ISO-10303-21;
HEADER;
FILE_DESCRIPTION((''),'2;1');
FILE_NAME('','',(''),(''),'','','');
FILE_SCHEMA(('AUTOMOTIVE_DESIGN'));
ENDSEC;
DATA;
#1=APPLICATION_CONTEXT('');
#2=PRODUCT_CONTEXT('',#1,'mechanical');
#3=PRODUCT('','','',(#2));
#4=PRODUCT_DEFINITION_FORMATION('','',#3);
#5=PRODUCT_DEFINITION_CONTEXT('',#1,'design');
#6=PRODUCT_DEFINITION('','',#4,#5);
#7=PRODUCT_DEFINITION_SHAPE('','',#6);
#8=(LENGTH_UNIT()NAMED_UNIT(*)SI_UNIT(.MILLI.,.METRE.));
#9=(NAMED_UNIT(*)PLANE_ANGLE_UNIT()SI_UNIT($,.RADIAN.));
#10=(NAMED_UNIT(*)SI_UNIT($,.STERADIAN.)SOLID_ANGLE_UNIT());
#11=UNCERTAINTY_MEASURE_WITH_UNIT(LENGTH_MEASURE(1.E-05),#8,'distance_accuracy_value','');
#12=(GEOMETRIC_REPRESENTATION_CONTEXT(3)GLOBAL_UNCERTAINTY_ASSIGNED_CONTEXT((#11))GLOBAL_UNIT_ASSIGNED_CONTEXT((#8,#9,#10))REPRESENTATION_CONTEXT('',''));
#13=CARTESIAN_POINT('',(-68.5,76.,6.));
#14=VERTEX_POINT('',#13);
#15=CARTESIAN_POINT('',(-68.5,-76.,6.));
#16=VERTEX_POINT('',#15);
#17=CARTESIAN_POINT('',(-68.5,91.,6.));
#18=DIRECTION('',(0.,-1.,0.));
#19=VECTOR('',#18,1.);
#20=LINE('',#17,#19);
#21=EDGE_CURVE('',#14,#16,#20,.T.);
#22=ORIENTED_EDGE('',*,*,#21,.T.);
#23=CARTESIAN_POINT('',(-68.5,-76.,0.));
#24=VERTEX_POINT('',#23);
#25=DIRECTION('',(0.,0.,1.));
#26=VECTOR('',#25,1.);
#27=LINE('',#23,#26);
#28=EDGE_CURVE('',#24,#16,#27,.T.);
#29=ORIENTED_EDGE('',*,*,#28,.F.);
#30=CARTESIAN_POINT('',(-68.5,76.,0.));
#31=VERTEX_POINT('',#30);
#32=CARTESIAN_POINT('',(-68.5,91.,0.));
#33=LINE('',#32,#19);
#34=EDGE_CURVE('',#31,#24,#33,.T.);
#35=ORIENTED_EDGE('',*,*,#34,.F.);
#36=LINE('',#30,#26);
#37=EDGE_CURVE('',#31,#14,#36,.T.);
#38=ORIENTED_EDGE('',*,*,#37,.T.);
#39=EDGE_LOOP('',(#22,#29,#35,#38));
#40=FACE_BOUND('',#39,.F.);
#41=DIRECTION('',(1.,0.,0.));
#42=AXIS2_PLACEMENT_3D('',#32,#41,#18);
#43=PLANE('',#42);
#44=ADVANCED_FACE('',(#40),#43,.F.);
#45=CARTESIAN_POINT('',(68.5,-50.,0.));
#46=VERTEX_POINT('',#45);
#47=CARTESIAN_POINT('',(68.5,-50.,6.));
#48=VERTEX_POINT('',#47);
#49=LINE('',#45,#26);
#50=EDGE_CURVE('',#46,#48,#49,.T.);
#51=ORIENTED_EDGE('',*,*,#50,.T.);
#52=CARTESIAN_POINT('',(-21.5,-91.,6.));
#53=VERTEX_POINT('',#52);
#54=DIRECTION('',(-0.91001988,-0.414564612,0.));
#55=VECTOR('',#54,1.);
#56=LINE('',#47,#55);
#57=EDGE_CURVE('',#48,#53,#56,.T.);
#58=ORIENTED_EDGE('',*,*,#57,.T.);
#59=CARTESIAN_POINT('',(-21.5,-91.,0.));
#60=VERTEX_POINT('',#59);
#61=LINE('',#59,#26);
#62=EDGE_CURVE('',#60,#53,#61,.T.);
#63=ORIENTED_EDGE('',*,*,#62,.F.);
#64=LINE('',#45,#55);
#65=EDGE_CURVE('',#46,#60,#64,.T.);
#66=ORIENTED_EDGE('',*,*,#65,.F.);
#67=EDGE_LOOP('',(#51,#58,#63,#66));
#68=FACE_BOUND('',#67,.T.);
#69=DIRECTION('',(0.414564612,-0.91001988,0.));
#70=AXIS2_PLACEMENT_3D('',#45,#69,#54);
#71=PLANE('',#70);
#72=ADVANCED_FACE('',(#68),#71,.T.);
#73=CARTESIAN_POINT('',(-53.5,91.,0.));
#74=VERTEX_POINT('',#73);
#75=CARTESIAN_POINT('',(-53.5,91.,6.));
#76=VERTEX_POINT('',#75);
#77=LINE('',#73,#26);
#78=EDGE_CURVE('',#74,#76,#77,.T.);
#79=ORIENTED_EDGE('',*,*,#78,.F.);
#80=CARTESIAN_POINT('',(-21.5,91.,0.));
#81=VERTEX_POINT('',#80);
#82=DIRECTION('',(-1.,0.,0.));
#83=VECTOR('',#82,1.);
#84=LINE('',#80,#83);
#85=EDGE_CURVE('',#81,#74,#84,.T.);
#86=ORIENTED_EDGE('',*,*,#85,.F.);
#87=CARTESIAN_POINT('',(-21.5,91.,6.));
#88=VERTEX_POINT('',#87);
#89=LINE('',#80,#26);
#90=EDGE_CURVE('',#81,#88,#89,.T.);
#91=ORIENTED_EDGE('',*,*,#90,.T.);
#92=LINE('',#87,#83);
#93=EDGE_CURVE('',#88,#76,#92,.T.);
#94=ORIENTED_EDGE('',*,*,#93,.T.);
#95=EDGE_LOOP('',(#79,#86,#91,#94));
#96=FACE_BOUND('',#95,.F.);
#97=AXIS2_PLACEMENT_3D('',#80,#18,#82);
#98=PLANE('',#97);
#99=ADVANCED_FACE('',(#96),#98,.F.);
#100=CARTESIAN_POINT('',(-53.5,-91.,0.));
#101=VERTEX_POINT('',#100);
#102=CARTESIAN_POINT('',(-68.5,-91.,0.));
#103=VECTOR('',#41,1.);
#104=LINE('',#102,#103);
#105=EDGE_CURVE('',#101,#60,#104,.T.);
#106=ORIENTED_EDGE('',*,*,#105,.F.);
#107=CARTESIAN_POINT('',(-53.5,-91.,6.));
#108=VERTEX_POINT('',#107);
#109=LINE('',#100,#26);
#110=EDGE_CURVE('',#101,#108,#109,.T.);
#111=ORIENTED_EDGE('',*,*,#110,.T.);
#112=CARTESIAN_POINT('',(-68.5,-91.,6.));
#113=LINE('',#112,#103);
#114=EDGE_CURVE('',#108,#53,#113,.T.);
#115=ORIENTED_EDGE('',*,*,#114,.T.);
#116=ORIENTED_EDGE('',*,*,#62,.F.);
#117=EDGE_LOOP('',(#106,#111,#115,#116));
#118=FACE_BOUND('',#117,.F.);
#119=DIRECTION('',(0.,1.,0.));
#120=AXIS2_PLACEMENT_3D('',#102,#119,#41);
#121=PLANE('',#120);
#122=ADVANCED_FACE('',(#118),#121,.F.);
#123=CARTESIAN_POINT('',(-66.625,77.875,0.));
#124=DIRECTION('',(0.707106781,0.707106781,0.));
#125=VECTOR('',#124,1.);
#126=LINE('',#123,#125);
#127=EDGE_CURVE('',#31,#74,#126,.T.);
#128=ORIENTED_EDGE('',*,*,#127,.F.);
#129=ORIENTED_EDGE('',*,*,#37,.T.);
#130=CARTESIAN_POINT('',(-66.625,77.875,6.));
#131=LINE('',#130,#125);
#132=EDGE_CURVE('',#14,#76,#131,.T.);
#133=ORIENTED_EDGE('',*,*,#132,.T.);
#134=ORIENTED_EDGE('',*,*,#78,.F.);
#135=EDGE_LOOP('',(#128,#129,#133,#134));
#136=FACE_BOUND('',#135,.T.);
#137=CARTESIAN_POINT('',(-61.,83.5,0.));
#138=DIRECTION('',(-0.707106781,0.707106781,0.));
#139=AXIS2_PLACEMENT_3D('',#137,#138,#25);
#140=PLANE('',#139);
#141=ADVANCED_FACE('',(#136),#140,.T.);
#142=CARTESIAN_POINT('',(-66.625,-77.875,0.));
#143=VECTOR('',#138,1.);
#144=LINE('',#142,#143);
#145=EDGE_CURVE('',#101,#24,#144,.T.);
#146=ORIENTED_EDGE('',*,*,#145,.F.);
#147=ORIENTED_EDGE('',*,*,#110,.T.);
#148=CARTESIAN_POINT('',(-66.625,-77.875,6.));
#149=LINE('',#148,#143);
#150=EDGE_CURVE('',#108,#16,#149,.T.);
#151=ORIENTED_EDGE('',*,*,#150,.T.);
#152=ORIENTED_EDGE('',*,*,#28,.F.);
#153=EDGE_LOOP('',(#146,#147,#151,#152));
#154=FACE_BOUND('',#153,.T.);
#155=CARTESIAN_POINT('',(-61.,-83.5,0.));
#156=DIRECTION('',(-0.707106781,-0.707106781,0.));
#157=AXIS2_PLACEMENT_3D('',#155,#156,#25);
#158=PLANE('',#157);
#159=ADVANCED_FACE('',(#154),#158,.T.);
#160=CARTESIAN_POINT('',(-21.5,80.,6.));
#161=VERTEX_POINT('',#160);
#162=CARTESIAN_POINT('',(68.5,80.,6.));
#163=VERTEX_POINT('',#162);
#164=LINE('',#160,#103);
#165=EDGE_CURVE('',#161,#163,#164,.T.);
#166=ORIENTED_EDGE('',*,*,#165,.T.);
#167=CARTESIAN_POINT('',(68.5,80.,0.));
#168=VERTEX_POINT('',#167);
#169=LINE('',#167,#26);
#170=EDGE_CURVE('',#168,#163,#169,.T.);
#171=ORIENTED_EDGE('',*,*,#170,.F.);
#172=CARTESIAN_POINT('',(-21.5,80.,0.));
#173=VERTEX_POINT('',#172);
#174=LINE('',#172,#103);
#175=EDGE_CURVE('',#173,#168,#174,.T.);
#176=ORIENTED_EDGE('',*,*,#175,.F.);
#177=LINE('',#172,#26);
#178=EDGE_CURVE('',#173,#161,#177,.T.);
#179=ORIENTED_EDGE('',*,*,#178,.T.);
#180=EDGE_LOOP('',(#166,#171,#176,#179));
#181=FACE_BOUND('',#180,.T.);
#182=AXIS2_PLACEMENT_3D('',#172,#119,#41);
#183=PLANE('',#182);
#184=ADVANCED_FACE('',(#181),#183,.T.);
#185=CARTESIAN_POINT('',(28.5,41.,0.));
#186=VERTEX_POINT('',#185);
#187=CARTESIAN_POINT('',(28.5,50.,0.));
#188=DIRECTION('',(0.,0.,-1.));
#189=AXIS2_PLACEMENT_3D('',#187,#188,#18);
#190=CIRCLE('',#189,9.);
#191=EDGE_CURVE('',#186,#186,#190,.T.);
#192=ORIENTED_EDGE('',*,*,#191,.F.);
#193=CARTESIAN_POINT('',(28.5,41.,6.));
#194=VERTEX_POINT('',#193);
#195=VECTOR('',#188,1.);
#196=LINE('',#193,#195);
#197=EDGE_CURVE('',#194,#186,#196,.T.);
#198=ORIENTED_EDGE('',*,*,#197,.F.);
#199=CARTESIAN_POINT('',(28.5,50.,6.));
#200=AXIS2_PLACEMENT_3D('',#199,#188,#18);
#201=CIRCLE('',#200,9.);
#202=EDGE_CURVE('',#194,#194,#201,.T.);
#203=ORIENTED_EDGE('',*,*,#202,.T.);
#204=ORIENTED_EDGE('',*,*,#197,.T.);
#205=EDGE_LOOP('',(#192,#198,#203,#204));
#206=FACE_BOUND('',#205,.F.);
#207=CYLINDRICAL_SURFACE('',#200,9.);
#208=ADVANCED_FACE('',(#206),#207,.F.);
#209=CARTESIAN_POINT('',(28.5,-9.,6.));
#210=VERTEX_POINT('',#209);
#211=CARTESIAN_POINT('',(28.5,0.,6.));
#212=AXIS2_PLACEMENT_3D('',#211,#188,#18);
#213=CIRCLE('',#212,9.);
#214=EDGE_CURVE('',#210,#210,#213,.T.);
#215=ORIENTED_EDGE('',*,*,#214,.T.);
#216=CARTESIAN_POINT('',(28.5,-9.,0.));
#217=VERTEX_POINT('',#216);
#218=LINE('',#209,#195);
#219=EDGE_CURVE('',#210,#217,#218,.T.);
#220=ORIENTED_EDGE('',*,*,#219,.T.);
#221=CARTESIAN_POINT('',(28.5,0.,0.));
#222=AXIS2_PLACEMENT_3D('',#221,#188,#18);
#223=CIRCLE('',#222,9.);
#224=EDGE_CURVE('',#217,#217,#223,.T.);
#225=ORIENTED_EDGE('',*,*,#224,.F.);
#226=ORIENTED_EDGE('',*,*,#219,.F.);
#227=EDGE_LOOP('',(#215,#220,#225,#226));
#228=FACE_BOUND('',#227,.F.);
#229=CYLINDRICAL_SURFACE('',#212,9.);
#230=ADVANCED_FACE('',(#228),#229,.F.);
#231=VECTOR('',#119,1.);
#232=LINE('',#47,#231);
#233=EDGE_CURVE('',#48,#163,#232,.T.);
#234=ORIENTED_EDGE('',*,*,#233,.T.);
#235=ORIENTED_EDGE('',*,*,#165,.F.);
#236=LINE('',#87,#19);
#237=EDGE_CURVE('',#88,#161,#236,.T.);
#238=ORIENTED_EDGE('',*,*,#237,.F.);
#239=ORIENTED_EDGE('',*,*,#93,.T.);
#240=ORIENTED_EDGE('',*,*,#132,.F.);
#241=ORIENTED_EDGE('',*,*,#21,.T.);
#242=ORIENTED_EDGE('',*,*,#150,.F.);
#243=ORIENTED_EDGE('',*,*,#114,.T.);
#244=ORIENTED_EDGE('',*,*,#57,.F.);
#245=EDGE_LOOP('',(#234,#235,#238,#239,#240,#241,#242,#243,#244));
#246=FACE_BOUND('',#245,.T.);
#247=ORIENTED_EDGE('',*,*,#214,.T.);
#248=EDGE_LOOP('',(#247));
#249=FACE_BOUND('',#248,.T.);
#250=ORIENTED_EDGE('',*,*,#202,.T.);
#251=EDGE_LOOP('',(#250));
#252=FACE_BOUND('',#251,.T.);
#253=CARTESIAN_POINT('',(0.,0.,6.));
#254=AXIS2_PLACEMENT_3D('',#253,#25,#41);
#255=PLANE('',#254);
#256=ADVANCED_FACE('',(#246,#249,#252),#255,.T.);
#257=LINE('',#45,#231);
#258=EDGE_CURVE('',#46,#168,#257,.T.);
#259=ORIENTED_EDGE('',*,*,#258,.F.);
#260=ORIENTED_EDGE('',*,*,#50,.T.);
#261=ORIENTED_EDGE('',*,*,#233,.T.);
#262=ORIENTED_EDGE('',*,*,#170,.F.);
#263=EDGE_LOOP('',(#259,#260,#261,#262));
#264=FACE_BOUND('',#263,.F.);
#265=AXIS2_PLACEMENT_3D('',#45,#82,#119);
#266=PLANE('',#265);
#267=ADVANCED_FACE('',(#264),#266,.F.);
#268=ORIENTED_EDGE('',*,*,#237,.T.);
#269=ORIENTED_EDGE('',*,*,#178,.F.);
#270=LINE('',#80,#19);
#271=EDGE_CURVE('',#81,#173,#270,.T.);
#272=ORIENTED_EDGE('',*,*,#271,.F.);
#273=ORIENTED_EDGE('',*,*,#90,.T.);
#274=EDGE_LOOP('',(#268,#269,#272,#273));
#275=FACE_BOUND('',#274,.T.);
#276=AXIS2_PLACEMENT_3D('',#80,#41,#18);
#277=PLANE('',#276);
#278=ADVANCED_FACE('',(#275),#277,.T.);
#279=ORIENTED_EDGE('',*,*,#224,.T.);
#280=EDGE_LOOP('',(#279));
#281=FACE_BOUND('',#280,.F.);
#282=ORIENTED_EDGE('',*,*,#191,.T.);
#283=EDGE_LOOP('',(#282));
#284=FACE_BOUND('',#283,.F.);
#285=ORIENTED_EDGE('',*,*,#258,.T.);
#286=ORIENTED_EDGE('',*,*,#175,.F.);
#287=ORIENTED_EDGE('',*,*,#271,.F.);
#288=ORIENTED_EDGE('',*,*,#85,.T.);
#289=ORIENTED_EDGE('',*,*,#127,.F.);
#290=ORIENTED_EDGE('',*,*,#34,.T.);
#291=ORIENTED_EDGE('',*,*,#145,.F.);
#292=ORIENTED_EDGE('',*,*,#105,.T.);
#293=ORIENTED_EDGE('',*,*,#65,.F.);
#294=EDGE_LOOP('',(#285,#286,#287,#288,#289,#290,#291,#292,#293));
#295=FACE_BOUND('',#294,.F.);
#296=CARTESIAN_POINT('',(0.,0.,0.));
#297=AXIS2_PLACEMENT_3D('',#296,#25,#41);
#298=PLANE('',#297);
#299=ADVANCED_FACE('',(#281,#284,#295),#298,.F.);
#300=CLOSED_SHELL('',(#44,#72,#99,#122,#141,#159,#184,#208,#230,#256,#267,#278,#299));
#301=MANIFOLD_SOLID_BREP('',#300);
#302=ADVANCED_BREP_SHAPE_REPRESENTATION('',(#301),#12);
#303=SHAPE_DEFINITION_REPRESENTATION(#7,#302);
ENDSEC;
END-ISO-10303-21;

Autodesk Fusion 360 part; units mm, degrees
sketch "スケッチ1" plane through (0, 0, 0) normal (0, 0, 1) x (1, 0, 0) in component "GPL H200 to H150G1"
  line L0 (-21.5, 91) -> (-68.5, 91)
  line L1 (-68.5, 91) -> (-68.5, -91)
  line L2 (-68.5, -91) -> (-21.5, -91)
  line L3 (68.5, -50) -> (68.5, 80)
  line L4 (60.2198, 80) -> (-68.5, -91) construction
  line L5 (-68.5, 91) -> (45.5182, -60.4695) construction
  line L6 (-21.5, 91) -> (-21.5, 80)
  line L7 (-21.5, 80) -> (68.5, 80)
  line L8 (-68.5, -91) -> (-21.5, -91) construction
  line L9 (68.5, -50) -> (-21.5, -91)
  dimension "d14_1" = 18
  dimension "d15_1" = 180
extrude "押し出し1" add sketch "スケッチ1" along normal blind 6 makes body 1 in component "GPL H200 to H150G1"
chamfer "面取り1" distance 15 angle 45 2 edges at (-68.5, -91, 3) (-68.5, 91, 3) on bodies 1 in component "GPL H200 to H150G1"
sketch "スケッチ2" plane through (0, 0, 6) normal (0, 0, 1) x (-1, 0, 0) in component "GPL H200 to H150G1"
  line L0 (53.5, -91) -> (68.5, -76)
  line L1 (68.5, -76) -> (68.5, 76)
  line L2 (68.5, 76) -> (53.5, 91)
  line L3 (53.5, 91) -> (21.5, 91)
  line L4 (21.5, 91) -> (-68.5, 50)
  line L5 (-68.5, 50) -> (-68.5, -80)
  line L6 (-68.5, -80) -> (21.5, -80)
  line L7 (21.5, -80) -> (21.5, -91)
  line L8 (21.5, -91) -> (53.5, -91)
  line L9 (-68.5, -80) -> (-28.5, -80) construction
  line L10 (-28.5, -80) -> (-28.5, -50) construction
  line L11 (-28.5, -50) -> (-68.5, -50) construction
  line L12 (-68.5, -50) -> (-68.5, -80) construction
  line L13 (-68.5, -50) -> (-28.5, -50) construction
  line L14 (-28.5, -50) -> (-28.5, 0) construction
  line L15 (-28.5, 0) -> (-68.5, 0) construction
  line L16 (-68.5, 0) -> (-68.5, -50) construction
  point P0 (-28.5, -50)
  point P1 (-28.5, 0)
  dimension "d10" = 40
  dimension "d11" = 30
  dimension "d12" = 40
  dimension "d13" = 50
hole "穴1" at (28.5, 50, 6) at (28.5, 0, 6) direction (0, 0, -1) diameter 18 end through all bodies 1 in component "GPL H200 to H150G1"
sketch "スケッチ1 (2)" plane through (0, 0, 0) normal (0, 0, 1) x (1, 0, 0) in component "GPL　H形鋼　取付150G1 (1)"
  line L0 (-21.5, 91) -> (-68.5, 91)
  line L1 (-68.5, 91) -> (-68.5, -91)
  line L2 (-68.5, -91) -> (-21.5, -91)
  line L3 (68.5, -50) -> (68.5, 80)
  line L4 (60.2198, 80) -> (-68.5, -91) construction
  line L5 (-68.5, 91) -> (45.5182, -60.4695) construction
  line L6 (-21.5, 91) -> (-21.5, 80)
  line L7 (-21.5, 80) -> (68.5, 80)
  line L8 (-68.5, -91) -> (-21.5, -91) construction
  line L9 (68.5, -50) -> (-21.5, -91)
  dimension "d2_1" = 182
  dimension "d5_1" = 47
extrude "押し出し1'" add sketch "スケッチ1 (2)" along normal blind 6 separate body makes body 2 in component "GPL　H形鋼　取付150G1 (1)"
chamfer "面取り1'" distance 15 angle 45 2 edges at (-68.5, -91, 3) (-68.5, 91, 3) on bodies 2 in component "GPL　H形鋼　取付150G1 (1)"
sketch "スケッチ2 (2)" plane through (0, 0, 6) normal (0, 0, 1) x (-1, 0, 0) in component "GPL　H形鋼　取付150G1 (1)"
  line L0 (53.5, -91) -> (68.5, -76)
  line L1 (68.5, -76) -> (68.5, 76)
  line L2 (68.5, 76) -> (53.5, 91)
  line L3 (53.5, 91) -> (21.5, 91)
  line L4 (21.5, 91) -> (-68.5, 50)
  line L5 (-68.5, 50) -> (-68.5, -80)
  line L6 (-68.5, -80) -> (21.5, -80)
  line L7 (21.5, -80) -> (21.5, -91)
  line L8 (21.5, -91) -> (53.5, -91)
  line L9 (-68.5, -80) -> (-28.5, -80) construction
  line L10 (-28.5, -80) -> (-28.5, -50) construction
  line L11 (-28.5, -50) -> (-68.5, -50) construction
  line L12 (-68.5, -50) -> (-68.5, -80) construction
  line L13 (-68.5, -50) -> (-28.5, -50) construction
  line L14 (-28.5, -50) -> (-28.5, 0) construction
  line L15 (-28.5, 0) -> (-68.5, 0) construction
  line L16 (-68.5, 0) -> (-68.5, -50) construction
  point P0 (-28.5, -50)
  point P1 (-28.5, 0)
  dimension "d10_1" = 40
  dimension "d11_1" = 30
  dimension "d12_1" = 40
  dimension "d13_1" = 50
hole "穴1'" at (28.5, 50, 6) at (28.5, 0, 6) direction (0, 0, -1) diameter 18 end through all bodies 2 in component "GPL　H形鋼　取付150G1 (1)"
component "GPL H200 to H150G1" placed x (1, 0, 0) y (0, 1, 0) z (0, 0, 1) at (0, 0, 0)
equation "d5 = 15 mm + 32 mm"
equation "d5_1 = 15 mm + 32 mm"
